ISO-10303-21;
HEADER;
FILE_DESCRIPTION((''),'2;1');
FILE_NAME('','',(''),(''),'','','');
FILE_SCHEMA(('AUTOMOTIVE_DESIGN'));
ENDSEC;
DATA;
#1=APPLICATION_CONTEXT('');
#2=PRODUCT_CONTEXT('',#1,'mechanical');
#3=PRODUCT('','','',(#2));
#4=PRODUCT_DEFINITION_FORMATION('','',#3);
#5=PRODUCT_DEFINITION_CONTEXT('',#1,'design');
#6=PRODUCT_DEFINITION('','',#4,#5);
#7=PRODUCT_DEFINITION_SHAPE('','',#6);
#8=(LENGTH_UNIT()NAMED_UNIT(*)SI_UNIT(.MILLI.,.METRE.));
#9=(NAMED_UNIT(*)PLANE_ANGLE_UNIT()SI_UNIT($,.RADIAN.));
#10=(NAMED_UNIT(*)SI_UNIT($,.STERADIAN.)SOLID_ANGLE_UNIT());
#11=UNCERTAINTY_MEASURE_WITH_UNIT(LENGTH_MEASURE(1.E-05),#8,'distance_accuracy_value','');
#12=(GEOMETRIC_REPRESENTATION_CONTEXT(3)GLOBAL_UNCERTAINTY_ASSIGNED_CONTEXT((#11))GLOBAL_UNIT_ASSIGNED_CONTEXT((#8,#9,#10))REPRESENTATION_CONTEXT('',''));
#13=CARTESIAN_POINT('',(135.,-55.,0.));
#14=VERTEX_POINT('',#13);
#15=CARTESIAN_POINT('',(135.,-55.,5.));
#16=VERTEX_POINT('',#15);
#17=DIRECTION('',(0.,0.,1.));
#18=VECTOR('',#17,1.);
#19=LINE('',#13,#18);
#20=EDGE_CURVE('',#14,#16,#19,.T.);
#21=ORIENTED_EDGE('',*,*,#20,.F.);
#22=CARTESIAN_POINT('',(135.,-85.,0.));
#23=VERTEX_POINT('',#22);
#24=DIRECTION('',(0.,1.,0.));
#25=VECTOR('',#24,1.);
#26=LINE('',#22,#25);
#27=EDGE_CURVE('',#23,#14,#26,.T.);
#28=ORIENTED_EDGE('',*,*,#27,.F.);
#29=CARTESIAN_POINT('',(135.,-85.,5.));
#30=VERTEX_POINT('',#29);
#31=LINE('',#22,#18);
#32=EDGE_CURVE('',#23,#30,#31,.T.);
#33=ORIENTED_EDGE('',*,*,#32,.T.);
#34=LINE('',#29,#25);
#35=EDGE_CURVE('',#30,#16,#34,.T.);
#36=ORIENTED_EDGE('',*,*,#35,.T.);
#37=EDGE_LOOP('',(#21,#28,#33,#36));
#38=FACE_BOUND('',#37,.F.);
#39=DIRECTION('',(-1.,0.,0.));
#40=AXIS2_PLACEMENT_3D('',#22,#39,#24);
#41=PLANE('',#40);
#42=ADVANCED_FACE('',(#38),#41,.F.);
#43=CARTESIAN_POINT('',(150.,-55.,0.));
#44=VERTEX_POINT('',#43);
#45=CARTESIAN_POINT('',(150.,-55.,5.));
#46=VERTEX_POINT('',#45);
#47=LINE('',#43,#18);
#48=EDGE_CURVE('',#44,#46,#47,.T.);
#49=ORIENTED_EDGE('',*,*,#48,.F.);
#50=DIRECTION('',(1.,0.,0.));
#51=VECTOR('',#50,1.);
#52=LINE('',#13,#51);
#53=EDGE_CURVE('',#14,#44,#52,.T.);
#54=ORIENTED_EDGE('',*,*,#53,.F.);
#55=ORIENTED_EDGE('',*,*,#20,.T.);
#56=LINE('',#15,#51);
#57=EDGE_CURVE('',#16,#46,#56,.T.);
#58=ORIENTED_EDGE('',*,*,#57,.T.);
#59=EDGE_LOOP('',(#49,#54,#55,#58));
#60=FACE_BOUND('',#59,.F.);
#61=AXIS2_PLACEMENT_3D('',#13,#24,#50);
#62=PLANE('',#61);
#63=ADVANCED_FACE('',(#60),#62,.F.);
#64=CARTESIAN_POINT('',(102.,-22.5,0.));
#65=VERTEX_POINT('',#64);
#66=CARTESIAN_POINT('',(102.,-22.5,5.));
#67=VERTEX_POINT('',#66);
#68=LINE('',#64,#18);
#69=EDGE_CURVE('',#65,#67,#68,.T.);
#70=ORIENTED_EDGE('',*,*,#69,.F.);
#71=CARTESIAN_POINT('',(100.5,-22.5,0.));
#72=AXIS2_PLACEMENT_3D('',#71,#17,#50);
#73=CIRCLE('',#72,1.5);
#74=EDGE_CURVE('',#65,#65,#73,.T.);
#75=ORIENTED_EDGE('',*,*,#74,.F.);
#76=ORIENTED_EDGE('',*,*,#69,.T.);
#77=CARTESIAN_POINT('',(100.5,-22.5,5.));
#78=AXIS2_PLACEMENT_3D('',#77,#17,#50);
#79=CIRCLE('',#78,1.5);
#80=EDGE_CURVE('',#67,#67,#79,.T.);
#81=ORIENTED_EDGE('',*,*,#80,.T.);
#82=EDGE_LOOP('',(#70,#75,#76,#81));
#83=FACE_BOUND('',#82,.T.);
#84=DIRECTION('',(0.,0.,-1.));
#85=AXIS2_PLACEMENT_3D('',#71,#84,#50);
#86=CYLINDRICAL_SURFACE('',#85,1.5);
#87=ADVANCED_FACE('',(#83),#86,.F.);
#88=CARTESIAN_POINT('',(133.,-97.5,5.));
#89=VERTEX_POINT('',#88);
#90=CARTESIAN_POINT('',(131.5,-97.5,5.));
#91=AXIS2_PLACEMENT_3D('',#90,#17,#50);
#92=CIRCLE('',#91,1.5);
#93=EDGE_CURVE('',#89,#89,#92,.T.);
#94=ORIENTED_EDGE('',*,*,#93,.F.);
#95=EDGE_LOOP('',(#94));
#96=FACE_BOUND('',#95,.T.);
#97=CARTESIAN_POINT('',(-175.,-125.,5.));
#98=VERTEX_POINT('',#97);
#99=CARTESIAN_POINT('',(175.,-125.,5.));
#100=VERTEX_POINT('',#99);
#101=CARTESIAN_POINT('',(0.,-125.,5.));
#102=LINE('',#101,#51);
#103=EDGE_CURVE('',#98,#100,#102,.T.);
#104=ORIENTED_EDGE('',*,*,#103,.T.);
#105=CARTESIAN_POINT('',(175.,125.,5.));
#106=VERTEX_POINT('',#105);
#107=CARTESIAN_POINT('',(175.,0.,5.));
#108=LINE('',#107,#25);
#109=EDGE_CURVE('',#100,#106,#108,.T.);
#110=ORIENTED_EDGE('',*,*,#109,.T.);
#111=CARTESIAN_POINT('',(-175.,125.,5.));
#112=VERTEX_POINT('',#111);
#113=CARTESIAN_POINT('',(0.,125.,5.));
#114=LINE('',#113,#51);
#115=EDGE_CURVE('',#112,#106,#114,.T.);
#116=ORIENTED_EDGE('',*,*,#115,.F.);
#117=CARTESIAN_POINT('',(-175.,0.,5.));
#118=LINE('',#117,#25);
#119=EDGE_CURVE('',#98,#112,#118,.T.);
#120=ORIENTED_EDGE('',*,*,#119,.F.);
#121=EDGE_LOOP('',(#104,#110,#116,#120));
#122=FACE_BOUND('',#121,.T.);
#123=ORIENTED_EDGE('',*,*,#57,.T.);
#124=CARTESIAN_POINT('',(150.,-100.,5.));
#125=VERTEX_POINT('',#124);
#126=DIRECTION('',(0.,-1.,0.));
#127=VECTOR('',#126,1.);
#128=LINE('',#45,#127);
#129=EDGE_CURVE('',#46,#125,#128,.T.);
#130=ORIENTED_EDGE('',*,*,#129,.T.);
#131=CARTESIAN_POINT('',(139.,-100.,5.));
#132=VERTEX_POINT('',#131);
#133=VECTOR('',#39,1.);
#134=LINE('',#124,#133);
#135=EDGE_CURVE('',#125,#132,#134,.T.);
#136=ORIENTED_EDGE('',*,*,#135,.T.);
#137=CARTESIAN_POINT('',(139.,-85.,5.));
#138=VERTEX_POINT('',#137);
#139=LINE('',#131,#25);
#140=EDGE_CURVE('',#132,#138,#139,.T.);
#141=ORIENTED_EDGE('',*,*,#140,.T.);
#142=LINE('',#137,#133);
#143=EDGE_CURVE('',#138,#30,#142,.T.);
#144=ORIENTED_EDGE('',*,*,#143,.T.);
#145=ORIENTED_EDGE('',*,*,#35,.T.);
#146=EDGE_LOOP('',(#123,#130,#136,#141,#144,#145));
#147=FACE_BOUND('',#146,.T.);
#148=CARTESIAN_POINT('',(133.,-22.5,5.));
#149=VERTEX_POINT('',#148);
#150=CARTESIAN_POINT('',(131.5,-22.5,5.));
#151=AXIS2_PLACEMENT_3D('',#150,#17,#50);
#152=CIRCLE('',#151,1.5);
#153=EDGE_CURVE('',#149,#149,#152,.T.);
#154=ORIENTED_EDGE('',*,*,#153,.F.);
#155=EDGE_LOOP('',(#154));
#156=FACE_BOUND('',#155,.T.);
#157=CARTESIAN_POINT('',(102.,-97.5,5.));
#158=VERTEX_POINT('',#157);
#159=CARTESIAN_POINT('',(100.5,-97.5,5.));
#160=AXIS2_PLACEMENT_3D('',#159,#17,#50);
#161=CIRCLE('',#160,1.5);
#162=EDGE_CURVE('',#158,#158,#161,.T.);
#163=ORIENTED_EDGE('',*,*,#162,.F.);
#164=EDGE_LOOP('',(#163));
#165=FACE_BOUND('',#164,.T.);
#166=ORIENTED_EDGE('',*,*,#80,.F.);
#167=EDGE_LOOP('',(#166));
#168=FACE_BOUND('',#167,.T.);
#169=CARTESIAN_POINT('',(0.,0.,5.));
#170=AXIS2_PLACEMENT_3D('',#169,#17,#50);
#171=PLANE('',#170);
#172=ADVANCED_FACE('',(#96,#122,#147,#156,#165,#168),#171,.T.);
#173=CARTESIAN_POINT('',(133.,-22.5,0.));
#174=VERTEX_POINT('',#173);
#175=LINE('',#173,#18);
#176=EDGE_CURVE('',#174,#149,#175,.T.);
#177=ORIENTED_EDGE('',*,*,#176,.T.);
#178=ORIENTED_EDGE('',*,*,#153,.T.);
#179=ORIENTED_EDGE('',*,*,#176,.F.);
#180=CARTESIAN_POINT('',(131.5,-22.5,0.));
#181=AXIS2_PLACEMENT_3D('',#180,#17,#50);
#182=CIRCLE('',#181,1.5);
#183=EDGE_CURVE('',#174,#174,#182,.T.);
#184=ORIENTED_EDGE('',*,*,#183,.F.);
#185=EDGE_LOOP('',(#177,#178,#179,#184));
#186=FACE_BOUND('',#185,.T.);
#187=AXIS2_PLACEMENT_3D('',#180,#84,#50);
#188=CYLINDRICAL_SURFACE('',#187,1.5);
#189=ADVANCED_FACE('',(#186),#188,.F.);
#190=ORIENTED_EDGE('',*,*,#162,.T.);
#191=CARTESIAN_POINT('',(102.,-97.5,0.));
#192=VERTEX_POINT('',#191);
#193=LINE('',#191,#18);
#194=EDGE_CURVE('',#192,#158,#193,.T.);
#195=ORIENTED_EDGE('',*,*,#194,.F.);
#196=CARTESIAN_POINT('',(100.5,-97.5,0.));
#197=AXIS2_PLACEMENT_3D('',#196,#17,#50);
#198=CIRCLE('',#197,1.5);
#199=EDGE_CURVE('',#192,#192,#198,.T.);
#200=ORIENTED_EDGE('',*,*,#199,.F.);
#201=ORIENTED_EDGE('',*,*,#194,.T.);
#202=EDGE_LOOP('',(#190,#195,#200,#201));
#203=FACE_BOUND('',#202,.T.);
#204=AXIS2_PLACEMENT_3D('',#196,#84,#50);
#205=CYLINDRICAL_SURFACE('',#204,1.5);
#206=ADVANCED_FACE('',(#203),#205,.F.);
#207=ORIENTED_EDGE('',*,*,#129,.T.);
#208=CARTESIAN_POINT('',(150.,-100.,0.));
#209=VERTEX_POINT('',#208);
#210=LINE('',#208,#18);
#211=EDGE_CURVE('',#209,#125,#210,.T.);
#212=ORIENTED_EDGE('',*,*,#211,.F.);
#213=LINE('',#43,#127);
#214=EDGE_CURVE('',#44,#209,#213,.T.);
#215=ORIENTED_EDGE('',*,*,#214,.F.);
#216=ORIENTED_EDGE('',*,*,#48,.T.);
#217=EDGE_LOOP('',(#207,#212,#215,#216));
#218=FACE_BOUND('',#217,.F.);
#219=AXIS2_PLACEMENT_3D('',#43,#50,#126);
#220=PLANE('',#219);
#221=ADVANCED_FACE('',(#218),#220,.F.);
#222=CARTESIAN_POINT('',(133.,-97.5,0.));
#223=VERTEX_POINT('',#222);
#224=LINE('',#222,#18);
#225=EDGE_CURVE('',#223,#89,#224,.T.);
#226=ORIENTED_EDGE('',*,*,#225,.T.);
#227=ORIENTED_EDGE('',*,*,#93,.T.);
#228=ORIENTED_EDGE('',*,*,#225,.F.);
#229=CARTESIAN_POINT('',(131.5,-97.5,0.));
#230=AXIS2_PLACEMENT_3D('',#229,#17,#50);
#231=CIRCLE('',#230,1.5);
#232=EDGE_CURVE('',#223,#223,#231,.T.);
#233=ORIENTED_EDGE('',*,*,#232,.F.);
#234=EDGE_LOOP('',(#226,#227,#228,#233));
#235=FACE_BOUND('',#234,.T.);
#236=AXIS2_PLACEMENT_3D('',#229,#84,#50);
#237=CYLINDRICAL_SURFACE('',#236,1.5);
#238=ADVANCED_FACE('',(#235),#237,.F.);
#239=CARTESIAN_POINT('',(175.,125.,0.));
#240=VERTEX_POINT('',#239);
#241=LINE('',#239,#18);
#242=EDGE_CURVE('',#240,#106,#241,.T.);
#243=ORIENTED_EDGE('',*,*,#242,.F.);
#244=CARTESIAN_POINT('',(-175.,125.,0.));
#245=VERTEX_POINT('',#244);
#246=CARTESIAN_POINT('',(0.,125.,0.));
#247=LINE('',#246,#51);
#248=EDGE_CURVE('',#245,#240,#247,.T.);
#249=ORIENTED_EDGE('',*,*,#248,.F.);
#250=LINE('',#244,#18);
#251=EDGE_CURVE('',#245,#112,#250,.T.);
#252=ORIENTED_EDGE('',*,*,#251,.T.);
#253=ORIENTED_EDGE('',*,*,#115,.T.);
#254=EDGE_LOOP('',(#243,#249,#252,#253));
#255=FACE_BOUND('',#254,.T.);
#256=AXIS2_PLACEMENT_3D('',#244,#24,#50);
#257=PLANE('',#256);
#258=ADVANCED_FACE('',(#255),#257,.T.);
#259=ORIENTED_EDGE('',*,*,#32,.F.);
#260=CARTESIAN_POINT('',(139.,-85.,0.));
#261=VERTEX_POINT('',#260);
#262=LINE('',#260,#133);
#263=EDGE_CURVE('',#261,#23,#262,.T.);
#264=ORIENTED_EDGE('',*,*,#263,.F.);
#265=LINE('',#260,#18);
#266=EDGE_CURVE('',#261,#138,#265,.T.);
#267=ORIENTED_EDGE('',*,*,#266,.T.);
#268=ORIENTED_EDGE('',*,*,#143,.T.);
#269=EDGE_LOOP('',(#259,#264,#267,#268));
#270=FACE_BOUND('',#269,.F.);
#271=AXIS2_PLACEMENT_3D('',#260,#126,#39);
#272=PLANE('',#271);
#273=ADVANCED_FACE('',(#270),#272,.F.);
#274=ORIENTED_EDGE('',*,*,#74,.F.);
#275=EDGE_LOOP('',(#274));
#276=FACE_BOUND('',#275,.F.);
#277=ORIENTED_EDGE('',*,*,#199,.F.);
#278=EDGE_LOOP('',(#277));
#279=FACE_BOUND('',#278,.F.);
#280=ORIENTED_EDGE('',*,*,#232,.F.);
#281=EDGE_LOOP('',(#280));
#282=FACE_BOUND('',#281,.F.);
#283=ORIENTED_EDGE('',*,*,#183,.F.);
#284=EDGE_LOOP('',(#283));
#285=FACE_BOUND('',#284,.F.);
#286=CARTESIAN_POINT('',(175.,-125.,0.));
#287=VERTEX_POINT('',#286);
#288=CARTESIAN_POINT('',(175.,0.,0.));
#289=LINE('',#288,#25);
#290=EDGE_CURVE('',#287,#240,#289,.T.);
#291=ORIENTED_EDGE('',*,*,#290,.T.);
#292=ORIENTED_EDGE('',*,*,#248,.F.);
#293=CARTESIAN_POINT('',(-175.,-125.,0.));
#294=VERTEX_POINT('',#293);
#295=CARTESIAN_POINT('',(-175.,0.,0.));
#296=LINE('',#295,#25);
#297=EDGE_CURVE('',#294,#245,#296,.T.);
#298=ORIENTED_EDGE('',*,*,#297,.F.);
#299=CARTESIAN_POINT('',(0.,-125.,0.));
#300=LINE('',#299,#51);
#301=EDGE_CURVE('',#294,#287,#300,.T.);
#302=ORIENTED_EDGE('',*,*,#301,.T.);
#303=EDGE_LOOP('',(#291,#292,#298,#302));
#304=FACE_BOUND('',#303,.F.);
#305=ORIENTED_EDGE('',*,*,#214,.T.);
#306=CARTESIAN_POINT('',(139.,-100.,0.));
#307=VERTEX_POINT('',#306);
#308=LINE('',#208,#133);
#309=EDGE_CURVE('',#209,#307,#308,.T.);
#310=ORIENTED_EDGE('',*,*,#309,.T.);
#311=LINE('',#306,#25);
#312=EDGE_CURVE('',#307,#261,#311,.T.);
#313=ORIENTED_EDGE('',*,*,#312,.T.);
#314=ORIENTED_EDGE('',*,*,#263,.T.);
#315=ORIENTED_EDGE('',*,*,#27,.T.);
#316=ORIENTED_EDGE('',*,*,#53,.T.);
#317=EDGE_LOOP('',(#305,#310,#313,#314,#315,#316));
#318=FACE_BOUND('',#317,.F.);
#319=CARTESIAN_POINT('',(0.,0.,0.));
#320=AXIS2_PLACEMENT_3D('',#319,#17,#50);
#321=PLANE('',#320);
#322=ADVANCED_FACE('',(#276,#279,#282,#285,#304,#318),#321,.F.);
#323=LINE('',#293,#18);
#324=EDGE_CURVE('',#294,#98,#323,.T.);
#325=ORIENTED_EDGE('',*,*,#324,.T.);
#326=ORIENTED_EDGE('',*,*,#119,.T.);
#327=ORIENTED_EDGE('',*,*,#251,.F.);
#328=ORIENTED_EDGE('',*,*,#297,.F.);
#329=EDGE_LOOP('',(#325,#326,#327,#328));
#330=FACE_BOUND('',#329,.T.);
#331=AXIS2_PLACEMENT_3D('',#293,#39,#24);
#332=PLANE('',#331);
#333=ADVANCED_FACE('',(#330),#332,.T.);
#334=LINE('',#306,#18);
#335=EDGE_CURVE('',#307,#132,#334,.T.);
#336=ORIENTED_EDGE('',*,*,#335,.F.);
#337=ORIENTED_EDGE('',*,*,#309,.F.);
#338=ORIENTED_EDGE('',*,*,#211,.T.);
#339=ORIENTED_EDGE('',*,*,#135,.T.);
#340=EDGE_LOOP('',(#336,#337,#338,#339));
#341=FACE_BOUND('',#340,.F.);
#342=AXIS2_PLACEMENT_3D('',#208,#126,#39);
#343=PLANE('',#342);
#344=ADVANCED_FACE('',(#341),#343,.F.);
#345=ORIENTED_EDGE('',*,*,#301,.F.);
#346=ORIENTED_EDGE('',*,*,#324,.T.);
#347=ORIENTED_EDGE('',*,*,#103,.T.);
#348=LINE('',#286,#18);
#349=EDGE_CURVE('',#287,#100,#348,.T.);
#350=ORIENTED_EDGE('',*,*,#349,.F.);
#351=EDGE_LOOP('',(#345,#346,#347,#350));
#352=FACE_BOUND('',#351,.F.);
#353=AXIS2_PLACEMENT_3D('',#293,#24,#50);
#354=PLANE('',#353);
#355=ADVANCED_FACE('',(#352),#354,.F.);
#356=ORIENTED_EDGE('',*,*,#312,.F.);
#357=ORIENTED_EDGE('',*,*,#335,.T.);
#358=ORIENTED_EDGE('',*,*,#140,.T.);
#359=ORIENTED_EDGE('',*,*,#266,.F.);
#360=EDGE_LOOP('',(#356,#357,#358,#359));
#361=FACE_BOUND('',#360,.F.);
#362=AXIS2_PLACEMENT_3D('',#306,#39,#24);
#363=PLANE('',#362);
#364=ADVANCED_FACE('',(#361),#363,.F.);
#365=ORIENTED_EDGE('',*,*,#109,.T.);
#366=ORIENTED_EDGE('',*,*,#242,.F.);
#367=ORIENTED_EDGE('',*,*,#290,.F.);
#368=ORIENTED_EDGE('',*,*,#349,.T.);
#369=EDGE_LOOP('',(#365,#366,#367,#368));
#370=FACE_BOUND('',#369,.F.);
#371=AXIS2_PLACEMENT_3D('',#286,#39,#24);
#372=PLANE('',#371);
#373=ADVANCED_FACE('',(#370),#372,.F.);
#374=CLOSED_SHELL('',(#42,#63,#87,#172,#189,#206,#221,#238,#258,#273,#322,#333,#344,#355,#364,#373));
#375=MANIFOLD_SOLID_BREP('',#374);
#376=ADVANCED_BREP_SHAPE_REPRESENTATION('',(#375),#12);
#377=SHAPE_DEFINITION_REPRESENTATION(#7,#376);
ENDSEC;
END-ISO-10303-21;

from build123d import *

# Parameters (mm, degrees)
F0_W     = 350
F0_H     = 250
F0_R     = 1.5
F1_DEPTH = 5


with BuildPart() as f1:
    # F0 (on Top) → F1 (new body)
    with BuildSketch(Plane.XY):
        Rectangle(F0_W, F0_H)
        with Locations((100.5, -97.5)):
            Circle(F0_R, mode=Mode.SUBTRACT)
        with Locations((131.5, -97.5)):
            Circle(F0_R, mode=Mode.SUBTRACT)
        Polygon((135, -85), (135, -55), (150, -55), (150, -100), (139, -100), (139, -85), align=None, mode=Mode.SUBTRACT)
        with Locations((100.5, -22.5)):
            Circle(F0_R, mode=Mode.SUBTRACT)
        with Locations((131.5, -22.5)):
            Circle(F0_R, mode=Mode.SUBTRACT)
    extrude(amount=F1_DEPTH)


solid = f1.part
